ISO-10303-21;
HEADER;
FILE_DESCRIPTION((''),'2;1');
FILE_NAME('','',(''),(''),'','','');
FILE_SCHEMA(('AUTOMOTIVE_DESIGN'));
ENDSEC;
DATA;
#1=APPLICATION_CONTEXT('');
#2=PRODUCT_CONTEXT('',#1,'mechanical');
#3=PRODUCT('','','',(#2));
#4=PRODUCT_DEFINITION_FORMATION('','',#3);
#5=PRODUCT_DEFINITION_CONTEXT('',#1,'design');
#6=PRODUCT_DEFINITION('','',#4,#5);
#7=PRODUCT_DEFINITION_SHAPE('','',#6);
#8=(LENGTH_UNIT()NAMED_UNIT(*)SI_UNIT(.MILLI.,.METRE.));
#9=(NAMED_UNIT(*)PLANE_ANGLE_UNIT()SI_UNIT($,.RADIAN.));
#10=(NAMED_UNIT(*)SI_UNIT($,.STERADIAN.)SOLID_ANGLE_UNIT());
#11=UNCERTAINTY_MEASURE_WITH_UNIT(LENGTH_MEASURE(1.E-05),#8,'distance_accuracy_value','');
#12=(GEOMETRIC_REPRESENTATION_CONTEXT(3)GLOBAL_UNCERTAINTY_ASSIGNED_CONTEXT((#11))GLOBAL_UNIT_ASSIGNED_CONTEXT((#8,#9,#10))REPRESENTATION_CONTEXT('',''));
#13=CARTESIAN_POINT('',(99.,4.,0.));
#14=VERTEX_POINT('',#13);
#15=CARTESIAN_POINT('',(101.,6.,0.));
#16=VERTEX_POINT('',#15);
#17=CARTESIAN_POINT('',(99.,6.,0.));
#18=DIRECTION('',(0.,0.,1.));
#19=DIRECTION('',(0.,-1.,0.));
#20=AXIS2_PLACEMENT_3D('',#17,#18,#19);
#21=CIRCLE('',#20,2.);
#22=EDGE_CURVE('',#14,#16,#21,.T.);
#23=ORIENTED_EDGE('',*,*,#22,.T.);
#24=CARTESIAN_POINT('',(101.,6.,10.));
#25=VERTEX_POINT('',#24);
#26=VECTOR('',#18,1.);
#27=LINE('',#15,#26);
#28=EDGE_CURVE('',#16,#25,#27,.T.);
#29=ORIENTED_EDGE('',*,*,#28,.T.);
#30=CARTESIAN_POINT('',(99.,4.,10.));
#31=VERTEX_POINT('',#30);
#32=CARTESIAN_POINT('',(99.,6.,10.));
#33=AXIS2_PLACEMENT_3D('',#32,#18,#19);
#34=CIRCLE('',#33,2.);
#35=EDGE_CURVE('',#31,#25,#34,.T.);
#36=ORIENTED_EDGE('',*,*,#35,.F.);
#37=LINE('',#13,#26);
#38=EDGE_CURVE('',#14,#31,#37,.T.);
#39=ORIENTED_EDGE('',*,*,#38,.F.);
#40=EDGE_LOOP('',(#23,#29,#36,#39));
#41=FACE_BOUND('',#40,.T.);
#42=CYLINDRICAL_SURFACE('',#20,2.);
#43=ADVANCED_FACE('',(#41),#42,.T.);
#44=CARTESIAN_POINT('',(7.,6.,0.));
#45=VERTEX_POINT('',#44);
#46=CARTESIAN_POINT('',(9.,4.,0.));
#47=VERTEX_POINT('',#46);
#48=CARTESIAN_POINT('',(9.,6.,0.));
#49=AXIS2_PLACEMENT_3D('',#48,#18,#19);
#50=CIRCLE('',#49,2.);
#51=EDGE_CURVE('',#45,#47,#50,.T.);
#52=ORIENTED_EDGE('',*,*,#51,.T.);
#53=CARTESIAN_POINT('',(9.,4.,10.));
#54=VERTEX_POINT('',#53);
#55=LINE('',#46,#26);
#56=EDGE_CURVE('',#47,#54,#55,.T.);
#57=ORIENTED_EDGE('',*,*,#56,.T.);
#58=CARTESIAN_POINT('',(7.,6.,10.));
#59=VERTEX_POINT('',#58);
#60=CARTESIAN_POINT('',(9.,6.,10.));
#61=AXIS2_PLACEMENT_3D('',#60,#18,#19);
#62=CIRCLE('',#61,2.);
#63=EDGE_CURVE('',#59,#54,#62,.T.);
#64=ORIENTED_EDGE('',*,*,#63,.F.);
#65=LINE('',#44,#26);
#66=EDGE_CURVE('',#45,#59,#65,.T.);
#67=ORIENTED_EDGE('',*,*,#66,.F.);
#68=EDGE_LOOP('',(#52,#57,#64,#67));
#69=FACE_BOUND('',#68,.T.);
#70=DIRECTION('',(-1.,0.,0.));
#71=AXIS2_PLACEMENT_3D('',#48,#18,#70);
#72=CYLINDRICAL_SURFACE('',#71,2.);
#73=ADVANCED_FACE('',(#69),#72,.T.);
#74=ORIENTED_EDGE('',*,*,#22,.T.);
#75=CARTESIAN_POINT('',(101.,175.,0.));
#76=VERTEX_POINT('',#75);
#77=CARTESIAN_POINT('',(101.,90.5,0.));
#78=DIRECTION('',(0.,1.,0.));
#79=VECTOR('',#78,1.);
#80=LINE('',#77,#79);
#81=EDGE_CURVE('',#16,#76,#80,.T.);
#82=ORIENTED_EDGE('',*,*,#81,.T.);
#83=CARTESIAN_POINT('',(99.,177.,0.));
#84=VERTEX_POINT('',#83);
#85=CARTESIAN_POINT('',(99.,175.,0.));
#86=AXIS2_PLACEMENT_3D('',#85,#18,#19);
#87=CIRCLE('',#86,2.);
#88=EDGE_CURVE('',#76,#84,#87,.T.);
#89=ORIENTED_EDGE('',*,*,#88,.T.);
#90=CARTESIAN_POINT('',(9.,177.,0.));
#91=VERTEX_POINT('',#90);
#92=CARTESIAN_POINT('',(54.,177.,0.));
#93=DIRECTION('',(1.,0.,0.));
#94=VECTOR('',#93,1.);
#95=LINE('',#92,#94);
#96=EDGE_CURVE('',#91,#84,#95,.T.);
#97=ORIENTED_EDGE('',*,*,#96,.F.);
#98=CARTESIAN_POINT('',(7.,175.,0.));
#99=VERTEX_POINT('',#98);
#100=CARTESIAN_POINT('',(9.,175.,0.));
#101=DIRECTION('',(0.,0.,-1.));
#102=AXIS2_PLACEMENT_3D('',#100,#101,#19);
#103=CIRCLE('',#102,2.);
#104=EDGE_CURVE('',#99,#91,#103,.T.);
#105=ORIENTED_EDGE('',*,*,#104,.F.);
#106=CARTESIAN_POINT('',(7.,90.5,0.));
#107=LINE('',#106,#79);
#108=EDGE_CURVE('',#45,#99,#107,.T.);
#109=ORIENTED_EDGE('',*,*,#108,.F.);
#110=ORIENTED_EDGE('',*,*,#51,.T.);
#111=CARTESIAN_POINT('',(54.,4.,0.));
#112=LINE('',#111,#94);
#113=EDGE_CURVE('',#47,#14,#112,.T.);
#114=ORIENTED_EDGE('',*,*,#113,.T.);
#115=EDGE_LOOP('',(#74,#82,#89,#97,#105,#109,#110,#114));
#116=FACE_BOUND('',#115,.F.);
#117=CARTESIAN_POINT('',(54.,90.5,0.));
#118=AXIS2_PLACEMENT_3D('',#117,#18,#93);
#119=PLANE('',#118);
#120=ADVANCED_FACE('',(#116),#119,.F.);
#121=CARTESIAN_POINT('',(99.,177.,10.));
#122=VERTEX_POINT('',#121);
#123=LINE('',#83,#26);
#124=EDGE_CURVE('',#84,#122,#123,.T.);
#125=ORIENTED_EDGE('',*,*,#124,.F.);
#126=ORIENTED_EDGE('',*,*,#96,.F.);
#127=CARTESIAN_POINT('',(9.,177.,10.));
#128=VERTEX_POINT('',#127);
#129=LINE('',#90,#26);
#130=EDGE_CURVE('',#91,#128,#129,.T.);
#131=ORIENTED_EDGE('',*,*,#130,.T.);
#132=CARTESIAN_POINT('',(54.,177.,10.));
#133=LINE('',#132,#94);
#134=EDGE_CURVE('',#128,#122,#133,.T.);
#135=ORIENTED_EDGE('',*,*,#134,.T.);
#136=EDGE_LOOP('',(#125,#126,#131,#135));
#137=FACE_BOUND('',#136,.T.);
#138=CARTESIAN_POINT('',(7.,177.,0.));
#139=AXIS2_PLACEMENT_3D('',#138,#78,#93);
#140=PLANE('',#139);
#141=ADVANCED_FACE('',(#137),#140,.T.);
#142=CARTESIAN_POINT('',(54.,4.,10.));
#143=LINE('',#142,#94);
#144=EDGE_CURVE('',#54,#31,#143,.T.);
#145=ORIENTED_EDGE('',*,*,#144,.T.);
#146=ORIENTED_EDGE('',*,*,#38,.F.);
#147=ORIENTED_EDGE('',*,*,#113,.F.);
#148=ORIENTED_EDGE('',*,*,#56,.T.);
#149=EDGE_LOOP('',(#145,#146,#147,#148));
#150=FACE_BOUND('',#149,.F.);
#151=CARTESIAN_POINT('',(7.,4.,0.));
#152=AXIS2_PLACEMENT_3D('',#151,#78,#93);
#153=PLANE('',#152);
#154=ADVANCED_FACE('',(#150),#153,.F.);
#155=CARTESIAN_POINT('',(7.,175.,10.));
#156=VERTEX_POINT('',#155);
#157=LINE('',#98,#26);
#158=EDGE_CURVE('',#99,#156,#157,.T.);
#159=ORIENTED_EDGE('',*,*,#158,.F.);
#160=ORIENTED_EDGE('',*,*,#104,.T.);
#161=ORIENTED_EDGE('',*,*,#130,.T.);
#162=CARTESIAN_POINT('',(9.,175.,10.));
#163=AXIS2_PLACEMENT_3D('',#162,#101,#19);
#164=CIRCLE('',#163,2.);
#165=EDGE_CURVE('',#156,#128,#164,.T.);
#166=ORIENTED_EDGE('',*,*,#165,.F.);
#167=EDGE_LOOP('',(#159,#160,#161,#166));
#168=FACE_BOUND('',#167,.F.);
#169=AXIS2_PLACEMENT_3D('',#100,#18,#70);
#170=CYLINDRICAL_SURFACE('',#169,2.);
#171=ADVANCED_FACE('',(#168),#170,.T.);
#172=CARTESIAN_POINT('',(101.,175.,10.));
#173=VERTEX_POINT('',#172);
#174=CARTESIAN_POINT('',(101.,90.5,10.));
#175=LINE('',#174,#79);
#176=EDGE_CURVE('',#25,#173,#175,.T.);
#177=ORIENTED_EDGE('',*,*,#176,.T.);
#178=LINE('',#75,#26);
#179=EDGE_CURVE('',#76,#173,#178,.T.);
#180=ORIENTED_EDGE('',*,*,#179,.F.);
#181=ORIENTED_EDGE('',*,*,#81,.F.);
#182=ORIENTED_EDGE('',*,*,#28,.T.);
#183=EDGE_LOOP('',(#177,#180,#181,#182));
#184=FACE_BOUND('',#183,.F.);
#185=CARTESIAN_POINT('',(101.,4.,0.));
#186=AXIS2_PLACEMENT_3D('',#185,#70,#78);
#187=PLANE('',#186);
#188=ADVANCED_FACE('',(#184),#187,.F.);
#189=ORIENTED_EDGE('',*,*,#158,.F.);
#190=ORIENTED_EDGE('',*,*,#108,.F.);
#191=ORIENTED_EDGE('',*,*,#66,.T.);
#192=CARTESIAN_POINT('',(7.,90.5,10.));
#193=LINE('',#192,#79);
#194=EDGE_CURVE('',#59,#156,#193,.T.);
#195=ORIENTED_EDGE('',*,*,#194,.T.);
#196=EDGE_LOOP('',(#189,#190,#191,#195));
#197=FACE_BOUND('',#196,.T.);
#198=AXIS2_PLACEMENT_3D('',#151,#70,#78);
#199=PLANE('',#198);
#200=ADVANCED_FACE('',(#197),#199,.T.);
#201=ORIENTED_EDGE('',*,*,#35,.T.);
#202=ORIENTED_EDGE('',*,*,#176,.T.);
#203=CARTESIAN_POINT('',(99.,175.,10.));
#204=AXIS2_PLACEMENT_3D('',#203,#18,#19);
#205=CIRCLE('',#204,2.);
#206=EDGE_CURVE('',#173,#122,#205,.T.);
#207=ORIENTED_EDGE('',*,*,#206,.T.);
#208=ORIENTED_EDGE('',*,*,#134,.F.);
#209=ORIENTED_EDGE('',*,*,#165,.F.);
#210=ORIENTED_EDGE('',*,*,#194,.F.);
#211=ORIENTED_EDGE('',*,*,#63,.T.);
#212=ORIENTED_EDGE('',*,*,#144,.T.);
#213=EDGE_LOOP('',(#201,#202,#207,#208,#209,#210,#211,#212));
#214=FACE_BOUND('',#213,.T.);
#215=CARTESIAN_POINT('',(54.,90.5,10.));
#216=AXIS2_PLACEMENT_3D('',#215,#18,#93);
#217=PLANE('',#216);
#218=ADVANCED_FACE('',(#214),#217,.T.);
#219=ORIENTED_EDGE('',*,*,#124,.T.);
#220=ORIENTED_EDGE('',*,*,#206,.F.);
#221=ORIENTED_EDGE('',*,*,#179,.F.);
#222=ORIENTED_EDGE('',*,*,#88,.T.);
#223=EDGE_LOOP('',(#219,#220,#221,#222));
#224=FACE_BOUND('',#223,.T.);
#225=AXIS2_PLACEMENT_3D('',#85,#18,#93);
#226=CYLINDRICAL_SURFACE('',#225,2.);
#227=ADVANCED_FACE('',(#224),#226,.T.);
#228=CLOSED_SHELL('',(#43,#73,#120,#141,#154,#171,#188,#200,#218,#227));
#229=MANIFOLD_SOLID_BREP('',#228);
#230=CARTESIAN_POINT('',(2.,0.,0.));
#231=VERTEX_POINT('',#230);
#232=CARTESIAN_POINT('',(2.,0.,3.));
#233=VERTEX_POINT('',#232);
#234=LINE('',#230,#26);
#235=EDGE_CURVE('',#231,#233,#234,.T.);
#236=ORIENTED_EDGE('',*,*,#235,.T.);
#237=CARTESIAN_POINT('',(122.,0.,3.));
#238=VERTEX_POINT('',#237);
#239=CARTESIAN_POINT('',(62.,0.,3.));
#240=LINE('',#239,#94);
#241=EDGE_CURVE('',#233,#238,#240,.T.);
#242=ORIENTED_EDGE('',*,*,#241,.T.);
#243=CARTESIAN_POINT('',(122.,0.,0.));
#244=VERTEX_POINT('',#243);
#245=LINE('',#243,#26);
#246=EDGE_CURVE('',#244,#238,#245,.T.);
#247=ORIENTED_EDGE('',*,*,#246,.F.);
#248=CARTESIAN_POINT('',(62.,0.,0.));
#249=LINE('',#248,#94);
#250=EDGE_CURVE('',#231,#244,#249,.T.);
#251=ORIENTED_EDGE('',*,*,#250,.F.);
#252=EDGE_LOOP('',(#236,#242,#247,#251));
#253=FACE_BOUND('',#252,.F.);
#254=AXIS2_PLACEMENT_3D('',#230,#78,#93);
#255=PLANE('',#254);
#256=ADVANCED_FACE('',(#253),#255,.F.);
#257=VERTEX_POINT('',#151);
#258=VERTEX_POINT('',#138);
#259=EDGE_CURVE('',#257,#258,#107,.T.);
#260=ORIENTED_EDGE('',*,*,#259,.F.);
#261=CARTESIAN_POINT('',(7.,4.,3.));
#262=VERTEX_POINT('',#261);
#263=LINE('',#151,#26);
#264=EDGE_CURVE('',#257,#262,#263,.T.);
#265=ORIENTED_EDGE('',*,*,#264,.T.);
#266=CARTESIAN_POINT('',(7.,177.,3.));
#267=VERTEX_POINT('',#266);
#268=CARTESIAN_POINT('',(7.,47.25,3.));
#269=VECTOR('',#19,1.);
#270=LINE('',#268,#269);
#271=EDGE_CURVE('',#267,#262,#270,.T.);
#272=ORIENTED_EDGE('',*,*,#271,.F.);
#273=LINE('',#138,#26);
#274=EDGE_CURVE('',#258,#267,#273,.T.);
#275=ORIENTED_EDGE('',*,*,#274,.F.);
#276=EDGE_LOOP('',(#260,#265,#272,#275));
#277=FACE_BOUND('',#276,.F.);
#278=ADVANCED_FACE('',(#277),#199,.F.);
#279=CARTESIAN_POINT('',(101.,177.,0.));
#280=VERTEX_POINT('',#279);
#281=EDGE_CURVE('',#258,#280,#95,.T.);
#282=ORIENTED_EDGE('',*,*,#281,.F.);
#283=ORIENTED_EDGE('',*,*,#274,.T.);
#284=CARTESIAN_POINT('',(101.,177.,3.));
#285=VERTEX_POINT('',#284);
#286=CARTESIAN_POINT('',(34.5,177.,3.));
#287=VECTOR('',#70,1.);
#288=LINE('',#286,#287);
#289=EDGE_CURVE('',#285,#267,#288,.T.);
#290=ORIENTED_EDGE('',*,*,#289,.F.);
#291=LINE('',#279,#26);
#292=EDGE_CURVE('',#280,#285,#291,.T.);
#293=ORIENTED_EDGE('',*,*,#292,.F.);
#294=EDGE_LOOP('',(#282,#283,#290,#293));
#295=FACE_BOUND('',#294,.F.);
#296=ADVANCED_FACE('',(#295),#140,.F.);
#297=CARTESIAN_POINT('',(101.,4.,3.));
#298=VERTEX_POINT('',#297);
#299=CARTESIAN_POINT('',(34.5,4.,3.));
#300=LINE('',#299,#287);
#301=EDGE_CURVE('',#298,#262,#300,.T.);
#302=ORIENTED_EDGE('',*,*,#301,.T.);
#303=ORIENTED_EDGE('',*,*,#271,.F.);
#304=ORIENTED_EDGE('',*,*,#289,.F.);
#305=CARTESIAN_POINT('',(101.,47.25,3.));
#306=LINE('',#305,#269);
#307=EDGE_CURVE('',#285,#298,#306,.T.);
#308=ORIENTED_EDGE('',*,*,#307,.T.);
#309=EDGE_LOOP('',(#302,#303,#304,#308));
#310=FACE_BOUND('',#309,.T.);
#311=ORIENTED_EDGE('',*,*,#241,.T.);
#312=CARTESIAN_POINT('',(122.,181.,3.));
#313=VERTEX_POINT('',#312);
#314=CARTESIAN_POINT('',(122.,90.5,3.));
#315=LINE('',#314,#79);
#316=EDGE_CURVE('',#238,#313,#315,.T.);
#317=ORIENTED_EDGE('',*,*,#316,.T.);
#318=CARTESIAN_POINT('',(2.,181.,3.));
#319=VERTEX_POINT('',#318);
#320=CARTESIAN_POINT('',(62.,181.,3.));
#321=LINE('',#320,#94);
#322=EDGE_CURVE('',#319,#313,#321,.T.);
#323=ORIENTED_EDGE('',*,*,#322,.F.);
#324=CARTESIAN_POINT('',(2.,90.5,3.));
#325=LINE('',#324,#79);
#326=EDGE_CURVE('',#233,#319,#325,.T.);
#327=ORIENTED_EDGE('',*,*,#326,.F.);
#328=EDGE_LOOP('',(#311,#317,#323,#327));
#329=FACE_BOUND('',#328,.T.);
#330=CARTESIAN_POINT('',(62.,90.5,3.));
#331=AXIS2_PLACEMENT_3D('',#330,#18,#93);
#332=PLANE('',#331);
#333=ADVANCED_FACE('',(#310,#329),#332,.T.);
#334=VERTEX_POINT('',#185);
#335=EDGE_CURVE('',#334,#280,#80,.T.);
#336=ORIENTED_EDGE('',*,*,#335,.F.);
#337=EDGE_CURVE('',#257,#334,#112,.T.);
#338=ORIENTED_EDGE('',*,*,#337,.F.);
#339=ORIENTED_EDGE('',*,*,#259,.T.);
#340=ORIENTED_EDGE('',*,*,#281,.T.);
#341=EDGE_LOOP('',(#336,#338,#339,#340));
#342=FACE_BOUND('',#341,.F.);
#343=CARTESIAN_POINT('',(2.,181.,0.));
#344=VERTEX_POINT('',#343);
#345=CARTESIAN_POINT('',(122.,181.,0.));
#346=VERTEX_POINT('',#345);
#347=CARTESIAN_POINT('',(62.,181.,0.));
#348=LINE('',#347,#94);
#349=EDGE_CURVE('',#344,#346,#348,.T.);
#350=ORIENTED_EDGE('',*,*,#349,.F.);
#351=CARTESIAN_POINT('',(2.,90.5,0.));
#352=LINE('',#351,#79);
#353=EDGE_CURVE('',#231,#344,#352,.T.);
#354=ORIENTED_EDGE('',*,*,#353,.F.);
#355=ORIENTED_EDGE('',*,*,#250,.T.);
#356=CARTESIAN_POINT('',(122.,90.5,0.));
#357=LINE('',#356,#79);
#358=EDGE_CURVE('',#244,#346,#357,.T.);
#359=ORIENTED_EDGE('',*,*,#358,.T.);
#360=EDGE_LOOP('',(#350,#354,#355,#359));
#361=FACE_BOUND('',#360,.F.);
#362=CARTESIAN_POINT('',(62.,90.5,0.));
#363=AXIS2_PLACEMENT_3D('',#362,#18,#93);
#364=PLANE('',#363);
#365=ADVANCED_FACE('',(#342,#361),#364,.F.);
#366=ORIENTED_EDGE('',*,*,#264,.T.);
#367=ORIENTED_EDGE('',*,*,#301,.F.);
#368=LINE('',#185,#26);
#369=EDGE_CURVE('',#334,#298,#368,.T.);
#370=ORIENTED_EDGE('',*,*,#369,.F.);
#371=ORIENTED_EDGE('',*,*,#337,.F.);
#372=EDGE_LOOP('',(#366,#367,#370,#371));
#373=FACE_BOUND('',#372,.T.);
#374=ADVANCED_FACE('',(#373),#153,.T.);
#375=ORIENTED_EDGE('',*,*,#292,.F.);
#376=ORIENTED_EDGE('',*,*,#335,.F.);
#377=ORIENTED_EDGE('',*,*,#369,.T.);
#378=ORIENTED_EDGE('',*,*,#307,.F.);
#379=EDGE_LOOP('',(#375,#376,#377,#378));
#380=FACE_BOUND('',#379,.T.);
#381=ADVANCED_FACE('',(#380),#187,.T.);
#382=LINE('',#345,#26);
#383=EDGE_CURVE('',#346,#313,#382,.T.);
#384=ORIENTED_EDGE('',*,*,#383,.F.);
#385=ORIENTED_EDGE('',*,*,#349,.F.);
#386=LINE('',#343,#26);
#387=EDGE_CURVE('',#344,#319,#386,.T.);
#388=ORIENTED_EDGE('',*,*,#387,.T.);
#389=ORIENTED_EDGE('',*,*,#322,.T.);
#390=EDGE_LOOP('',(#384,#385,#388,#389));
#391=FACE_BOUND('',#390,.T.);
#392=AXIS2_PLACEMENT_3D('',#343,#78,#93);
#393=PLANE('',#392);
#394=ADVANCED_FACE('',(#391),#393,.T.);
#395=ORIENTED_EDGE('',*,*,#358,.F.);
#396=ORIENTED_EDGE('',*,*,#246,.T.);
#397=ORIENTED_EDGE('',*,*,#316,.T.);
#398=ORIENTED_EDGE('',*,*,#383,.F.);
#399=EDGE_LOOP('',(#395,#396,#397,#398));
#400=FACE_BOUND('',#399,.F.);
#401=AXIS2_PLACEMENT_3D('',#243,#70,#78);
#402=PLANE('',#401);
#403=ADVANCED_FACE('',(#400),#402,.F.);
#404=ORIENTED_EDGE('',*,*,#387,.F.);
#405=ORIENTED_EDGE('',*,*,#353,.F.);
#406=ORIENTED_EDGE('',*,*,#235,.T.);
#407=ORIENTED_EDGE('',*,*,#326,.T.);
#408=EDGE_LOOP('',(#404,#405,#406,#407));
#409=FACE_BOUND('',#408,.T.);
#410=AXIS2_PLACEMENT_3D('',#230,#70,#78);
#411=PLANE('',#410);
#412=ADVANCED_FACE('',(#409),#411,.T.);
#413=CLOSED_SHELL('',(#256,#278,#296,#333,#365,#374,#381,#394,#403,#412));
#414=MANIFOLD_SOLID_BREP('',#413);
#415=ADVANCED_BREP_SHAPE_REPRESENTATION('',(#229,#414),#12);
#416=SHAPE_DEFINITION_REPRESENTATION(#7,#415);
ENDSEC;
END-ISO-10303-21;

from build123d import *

# Parameters (mm, degrees)
BOX001_W     = 94
BOX001_H     = 173
BOX001_DEPTH = 10
BOX_W        = 120
BOX_H        = 181
BOX_DEPTH    = 3
FILLET_R     = 2


with BuildPart() as cube001:
    # Box001 → Box001 (new body)
    with BuildSketch(Plane(origin=(7, 4, 0), x_dir=(1, 0, 0), z_dir=(0, 0, 1))):
        with Locations((47, 86.5)):
            Rectangle(BOX001_W, BOX001_H)
    extrude(amount=BOX001_DEPTH)


with BuildPart() as cut:
    # Box → Box (new body)
    with BuildSketch(Plane(origin=(2, 0, 0), x_dir=(1, 0, 0), z_dir=(0, 0, 1))):
        with Locations((60, 90.5)):
            Rectangle(BOX_W, BOX_H)
    extrude(amount=BOX_DEPTH)

    # Cut: cut Cube001
    add(cube001.part, mode=Mode.SUBTRACT)


with BuildPart() as fillet_body:
    # Fillet base: copy of Cube001
    add(cube001.part)

    # Fillet
    fillet_edges = [fillet_body.edges().sort_by_distance(p)[0] for p in [
        (7, 4, 5),
        (7, 177, 5),
        (101, 4, 5),
        (101, 177, 5),
    ]]
    fillet(fillet_edges, radius=FILLET_R)


solid = Compound([cut.part, fillet_body.part])
